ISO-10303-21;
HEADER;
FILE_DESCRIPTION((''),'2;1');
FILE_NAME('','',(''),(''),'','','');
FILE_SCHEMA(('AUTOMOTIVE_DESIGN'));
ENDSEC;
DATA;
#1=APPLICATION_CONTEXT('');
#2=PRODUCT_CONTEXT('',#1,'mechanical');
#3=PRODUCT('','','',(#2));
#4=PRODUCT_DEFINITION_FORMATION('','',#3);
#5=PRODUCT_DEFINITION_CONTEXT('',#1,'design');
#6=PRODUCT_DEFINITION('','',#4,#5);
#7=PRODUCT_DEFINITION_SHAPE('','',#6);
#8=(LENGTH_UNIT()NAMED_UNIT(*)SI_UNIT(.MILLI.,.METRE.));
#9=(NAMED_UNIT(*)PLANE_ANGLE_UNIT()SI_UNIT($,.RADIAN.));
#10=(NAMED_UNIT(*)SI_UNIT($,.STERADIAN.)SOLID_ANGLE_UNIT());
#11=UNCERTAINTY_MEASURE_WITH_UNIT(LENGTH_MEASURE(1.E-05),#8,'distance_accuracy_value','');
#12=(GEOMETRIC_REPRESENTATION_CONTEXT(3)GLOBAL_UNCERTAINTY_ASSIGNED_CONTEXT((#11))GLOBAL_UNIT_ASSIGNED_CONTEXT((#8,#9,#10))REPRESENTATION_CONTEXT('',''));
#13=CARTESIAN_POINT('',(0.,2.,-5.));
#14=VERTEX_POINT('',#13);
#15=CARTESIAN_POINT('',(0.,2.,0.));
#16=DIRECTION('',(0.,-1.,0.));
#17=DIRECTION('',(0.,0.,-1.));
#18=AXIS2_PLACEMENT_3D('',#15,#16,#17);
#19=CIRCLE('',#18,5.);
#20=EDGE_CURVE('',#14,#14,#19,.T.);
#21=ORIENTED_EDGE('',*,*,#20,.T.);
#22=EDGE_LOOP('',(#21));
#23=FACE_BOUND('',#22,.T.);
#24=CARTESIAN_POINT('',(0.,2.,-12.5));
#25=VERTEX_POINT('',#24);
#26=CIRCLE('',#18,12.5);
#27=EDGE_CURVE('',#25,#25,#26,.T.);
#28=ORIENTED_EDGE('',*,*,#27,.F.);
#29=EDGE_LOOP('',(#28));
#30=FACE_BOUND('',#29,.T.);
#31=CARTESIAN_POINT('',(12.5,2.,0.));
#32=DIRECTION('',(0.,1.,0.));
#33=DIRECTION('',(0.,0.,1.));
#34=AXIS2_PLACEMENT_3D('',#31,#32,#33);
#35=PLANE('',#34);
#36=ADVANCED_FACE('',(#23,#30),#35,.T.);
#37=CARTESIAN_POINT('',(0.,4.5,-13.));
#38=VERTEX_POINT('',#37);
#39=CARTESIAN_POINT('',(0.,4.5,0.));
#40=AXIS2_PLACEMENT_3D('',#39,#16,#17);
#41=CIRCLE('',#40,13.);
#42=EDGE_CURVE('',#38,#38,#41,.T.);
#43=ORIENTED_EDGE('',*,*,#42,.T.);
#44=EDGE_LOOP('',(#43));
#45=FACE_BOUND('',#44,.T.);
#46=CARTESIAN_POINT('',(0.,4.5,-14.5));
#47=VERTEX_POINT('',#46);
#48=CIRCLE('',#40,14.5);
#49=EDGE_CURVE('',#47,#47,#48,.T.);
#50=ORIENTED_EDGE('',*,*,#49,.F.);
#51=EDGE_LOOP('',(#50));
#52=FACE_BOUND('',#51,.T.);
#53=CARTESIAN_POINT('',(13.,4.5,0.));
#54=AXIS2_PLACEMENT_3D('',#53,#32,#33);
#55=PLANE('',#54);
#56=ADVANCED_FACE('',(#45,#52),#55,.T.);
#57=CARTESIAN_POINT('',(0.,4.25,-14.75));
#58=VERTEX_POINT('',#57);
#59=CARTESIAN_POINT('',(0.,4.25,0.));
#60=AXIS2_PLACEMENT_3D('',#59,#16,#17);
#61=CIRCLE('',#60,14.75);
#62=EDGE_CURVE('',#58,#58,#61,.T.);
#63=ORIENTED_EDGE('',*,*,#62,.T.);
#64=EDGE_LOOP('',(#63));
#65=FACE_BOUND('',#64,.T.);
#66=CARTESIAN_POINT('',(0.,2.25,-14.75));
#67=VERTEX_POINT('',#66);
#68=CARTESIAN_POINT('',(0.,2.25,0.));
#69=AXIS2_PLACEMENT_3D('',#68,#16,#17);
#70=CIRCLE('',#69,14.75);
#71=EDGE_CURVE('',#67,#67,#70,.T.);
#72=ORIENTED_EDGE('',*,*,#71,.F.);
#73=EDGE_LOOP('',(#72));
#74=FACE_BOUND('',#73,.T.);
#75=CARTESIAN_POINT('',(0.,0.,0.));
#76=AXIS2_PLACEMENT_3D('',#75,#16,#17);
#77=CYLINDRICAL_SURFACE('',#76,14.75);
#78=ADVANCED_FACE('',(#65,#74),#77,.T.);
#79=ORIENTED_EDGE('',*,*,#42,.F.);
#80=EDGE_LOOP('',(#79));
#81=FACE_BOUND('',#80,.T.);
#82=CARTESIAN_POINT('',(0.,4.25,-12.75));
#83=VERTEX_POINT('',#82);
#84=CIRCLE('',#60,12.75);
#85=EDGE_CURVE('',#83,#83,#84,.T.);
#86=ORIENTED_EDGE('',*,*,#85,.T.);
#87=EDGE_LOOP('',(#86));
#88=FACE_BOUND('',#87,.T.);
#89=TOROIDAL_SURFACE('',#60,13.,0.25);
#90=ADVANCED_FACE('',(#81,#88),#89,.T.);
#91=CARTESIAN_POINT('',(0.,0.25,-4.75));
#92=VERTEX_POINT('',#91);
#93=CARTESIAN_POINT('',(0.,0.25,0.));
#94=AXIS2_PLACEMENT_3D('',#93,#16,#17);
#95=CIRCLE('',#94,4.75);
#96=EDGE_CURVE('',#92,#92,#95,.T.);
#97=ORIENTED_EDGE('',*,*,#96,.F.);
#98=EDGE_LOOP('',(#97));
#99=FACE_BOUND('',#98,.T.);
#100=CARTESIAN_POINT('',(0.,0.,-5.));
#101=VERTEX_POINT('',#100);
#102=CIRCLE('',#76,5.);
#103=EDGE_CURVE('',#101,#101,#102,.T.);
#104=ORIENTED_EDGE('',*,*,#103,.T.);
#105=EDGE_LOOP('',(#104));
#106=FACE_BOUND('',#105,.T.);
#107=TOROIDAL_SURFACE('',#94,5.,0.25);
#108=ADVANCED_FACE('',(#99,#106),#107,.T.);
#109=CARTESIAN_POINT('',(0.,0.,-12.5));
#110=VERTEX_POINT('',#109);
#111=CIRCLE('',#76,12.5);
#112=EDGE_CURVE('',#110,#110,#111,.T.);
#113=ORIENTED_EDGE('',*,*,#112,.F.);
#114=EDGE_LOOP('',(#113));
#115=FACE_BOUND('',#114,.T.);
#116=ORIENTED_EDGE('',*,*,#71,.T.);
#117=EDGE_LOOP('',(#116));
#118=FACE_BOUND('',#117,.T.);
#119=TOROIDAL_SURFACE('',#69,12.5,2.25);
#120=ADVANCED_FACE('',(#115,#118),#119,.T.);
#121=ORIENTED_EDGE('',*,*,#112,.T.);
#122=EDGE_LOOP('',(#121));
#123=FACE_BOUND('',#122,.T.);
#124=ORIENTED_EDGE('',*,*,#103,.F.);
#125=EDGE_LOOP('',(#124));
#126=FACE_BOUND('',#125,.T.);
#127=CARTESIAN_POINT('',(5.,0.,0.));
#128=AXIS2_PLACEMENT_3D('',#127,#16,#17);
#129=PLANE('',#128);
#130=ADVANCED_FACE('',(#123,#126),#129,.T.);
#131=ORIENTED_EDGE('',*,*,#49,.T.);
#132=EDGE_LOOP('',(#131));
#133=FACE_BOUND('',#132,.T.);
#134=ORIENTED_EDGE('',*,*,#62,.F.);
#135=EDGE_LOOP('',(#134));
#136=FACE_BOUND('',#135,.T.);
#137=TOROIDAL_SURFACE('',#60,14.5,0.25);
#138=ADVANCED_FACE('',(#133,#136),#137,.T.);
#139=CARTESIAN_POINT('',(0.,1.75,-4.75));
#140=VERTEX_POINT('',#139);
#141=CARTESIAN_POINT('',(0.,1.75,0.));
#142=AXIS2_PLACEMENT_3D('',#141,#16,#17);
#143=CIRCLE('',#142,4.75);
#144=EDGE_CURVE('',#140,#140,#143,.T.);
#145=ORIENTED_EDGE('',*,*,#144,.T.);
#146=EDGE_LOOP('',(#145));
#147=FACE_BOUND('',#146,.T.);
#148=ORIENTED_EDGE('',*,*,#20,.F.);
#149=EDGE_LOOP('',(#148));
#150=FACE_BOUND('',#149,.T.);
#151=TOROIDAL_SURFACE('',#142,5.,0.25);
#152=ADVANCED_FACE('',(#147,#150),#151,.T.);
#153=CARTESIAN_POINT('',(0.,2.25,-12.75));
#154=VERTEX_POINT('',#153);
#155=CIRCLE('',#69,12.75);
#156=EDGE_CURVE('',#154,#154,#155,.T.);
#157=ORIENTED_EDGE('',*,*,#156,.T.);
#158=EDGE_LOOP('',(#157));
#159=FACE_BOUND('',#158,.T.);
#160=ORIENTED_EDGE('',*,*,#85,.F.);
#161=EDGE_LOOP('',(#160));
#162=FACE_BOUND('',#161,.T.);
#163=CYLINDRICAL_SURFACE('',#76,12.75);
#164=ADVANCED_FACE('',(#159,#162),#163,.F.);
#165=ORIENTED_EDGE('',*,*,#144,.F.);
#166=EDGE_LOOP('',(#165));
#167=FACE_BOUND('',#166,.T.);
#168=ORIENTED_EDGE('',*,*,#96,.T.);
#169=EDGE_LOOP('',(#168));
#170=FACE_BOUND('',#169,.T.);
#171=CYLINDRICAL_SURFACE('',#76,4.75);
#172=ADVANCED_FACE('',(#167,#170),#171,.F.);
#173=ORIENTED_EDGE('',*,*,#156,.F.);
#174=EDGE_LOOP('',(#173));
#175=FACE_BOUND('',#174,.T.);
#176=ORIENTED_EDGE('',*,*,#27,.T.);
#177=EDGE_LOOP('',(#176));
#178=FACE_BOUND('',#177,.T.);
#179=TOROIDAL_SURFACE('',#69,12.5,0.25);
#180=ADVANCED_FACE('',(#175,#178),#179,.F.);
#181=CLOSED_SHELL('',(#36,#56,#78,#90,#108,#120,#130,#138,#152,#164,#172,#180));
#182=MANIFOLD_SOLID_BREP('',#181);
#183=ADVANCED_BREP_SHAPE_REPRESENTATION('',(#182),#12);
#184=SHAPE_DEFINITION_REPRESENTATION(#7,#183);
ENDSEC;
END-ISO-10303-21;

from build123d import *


with BuildPart() as part:
    # Sketch1 → Revolve1 (revolve)
    with BuildSketch(Plane.XY):
        with BuildLine():
            Line((5, 0), (12.5, 0))
            ThreePointArc((12.5, 0), (14.090990258, 0.659009742), (14.75, 2.25))
            Line((14.75, 2.25), (14.75, 4.25))
            ThreePointArc((14.75, 4.25), (14.676776695, 4.426776695), (14.5, 4.5))
            Line((14.5, 4.5), (13, 4.5))
            ThreePointArc((13, 4.5), (12.823223305, 4.426776695), (12.75, 4.25))
            Line((12.75, 4.25), (12.75, 2.25))
            ThreePointArc((12.75, 2.25), (12.676776695, 2.073223305), (12.5, 2))
            Line((12.5, 2), (5, 2))
            ThreePointArc((5, 2), (4.823223305, 1.926776695), (4.75, 1.75))
            Line((4.75, 1.75), (4.75, 0.25))
            ThreePointArc((4.75, 0.25), (4.823223305, 0.073223305), (5, 0))
        make_face()
    revolve(axis=Axis((0, 0, 0), (0, 1, 0)))


solid = part.part
